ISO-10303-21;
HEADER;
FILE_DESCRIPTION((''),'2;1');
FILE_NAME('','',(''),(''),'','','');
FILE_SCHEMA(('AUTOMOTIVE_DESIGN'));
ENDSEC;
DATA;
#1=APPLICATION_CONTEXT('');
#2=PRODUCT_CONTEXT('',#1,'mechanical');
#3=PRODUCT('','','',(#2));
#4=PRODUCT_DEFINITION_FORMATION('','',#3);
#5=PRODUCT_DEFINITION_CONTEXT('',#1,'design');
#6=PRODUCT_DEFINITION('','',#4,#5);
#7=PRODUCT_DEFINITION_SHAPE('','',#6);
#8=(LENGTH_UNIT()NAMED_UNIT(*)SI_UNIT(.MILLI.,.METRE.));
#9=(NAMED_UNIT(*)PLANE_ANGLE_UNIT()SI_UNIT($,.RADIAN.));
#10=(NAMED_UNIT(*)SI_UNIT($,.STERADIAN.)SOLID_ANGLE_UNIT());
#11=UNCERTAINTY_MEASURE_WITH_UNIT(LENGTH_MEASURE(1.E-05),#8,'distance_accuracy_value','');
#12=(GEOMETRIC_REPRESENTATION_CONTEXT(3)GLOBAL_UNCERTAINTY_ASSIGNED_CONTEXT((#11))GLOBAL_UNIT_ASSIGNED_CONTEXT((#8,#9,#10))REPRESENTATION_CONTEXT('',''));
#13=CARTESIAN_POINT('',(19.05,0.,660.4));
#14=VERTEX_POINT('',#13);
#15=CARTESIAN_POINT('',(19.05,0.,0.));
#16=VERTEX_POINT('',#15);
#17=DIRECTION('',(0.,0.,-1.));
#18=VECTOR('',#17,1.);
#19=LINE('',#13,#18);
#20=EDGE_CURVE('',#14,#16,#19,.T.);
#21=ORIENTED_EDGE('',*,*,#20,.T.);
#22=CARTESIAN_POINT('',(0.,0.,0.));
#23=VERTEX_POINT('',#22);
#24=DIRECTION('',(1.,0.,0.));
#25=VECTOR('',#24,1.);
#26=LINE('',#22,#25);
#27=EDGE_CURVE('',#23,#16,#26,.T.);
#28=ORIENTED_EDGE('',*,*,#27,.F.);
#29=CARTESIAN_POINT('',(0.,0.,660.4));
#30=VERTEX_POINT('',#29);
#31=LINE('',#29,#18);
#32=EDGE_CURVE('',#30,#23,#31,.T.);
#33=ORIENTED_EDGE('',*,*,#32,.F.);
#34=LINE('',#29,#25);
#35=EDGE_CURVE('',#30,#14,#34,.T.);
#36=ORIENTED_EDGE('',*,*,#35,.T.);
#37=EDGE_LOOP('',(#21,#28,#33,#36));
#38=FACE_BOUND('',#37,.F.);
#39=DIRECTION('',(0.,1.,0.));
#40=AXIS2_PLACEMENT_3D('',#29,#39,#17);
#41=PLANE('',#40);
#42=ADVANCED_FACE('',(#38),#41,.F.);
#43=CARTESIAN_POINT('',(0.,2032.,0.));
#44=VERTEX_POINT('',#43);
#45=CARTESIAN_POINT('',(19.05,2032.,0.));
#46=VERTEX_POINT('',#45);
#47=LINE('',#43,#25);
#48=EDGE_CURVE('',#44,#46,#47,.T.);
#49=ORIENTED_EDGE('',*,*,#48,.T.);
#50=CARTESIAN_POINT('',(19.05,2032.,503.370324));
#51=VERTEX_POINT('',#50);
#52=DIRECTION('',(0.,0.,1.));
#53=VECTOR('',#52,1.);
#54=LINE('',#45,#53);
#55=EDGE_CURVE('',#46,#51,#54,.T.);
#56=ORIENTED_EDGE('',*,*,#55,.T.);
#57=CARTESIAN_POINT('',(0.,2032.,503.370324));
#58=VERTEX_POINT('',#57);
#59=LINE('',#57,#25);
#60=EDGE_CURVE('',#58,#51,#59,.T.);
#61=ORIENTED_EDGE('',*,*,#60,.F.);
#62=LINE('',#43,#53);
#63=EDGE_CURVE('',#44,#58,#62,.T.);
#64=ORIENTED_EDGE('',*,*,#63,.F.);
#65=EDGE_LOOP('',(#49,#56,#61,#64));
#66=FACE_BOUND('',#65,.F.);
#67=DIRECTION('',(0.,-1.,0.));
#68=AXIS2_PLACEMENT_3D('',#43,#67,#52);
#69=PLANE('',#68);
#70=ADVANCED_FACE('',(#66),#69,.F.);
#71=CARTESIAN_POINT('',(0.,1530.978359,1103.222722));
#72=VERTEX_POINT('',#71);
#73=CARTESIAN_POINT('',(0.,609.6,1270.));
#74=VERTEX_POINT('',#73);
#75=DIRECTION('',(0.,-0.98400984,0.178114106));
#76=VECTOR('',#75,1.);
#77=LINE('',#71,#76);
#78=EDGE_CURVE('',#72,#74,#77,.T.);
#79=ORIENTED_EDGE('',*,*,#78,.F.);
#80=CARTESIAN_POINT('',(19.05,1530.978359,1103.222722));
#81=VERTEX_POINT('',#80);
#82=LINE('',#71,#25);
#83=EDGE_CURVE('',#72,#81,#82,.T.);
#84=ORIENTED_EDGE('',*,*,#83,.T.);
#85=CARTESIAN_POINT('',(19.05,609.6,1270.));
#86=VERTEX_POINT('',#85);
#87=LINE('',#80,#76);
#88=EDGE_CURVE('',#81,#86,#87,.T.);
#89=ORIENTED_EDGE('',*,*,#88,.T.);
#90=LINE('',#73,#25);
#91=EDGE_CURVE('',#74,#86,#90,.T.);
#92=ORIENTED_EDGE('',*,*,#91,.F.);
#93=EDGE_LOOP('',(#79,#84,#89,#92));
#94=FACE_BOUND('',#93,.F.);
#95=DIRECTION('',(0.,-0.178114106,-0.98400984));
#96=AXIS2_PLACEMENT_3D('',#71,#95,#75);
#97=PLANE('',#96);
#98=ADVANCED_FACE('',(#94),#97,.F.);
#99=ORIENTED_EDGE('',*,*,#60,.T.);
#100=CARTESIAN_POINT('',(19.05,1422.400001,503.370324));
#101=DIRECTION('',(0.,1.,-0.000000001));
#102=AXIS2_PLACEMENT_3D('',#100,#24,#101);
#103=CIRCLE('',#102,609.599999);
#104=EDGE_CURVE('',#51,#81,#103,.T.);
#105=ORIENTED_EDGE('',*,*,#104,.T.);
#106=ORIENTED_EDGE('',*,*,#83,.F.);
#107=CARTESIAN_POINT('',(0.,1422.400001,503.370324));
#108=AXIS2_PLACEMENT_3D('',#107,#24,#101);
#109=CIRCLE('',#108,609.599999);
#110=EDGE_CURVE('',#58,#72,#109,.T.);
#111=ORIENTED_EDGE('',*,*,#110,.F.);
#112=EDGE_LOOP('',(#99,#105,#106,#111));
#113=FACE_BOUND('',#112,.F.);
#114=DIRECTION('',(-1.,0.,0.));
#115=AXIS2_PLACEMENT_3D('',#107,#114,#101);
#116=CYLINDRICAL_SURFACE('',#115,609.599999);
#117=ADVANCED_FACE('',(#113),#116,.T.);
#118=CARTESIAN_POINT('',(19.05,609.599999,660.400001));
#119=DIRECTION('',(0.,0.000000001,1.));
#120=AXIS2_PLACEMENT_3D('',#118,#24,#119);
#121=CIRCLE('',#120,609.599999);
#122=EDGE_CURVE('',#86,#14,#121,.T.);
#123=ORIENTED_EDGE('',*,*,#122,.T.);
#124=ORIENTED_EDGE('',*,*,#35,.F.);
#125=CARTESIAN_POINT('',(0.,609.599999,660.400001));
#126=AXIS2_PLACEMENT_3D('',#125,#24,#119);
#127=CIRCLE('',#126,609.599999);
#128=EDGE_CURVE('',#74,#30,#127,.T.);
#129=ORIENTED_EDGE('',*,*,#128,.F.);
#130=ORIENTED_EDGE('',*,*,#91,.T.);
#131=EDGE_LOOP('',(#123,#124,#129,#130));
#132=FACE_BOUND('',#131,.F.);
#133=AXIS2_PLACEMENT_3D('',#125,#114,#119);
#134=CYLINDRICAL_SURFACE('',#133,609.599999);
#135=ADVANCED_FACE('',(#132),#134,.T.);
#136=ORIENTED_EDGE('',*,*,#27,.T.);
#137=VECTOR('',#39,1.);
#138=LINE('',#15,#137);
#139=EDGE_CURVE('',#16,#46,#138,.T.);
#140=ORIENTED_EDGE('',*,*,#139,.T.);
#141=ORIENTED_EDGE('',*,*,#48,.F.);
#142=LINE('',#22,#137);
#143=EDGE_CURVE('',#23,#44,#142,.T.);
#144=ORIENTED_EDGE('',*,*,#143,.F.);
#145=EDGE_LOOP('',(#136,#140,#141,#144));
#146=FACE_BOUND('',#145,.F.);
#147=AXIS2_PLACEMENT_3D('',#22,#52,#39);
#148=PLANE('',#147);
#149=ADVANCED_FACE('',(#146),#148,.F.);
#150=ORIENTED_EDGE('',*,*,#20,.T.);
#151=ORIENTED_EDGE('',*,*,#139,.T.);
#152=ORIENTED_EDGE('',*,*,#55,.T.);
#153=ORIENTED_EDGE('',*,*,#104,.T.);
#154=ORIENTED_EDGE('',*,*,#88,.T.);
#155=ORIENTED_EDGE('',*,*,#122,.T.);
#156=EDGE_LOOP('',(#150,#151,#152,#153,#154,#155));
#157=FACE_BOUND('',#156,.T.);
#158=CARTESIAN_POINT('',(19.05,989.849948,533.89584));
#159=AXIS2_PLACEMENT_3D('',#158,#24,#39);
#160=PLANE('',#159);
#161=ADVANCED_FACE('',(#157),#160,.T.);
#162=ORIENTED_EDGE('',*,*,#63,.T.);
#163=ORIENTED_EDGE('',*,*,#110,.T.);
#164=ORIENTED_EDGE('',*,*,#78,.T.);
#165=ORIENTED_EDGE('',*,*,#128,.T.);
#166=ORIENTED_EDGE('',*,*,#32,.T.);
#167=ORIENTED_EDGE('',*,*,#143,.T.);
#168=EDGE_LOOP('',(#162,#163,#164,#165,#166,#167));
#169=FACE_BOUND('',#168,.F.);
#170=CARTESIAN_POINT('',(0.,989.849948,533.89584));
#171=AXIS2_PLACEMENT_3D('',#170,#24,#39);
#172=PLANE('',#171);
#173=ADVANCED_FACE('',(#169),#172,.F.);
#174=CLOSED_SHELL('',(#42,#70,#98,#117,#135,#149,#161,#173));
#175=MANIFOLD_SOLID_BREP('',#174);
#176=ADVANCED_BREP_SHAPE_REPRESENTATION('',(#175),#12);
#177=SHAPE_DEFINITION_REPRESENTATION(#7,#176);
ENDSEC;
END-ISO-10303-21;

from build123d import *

# Parameters (mm, degrees)
F1_DEPTH = 19.05


with BuildPart() as f1:
    # F0 (on Right) → F1 (new body)
    with BuildSketch(Plane.YZ):
        with BuildLine():
            Line((0, 660.4), (0, 0))
            Line((0, 0), (2032, 0))
            Line((2032, 0), (2032, 503.370324))
            ThreePointArc((2032, 503.370324), (1890.268319, 894.153379), (1530.978359, 1103.222722))
            Line((1530.978359, 1103.222722), (609.6, 1270))
            ThreePointArc((609.6, 1270), (178.547706, 1091.452294), (0, 660.4))
        make_face()
    extrude(amount=F1_DEPTH)


solid = f1.part
